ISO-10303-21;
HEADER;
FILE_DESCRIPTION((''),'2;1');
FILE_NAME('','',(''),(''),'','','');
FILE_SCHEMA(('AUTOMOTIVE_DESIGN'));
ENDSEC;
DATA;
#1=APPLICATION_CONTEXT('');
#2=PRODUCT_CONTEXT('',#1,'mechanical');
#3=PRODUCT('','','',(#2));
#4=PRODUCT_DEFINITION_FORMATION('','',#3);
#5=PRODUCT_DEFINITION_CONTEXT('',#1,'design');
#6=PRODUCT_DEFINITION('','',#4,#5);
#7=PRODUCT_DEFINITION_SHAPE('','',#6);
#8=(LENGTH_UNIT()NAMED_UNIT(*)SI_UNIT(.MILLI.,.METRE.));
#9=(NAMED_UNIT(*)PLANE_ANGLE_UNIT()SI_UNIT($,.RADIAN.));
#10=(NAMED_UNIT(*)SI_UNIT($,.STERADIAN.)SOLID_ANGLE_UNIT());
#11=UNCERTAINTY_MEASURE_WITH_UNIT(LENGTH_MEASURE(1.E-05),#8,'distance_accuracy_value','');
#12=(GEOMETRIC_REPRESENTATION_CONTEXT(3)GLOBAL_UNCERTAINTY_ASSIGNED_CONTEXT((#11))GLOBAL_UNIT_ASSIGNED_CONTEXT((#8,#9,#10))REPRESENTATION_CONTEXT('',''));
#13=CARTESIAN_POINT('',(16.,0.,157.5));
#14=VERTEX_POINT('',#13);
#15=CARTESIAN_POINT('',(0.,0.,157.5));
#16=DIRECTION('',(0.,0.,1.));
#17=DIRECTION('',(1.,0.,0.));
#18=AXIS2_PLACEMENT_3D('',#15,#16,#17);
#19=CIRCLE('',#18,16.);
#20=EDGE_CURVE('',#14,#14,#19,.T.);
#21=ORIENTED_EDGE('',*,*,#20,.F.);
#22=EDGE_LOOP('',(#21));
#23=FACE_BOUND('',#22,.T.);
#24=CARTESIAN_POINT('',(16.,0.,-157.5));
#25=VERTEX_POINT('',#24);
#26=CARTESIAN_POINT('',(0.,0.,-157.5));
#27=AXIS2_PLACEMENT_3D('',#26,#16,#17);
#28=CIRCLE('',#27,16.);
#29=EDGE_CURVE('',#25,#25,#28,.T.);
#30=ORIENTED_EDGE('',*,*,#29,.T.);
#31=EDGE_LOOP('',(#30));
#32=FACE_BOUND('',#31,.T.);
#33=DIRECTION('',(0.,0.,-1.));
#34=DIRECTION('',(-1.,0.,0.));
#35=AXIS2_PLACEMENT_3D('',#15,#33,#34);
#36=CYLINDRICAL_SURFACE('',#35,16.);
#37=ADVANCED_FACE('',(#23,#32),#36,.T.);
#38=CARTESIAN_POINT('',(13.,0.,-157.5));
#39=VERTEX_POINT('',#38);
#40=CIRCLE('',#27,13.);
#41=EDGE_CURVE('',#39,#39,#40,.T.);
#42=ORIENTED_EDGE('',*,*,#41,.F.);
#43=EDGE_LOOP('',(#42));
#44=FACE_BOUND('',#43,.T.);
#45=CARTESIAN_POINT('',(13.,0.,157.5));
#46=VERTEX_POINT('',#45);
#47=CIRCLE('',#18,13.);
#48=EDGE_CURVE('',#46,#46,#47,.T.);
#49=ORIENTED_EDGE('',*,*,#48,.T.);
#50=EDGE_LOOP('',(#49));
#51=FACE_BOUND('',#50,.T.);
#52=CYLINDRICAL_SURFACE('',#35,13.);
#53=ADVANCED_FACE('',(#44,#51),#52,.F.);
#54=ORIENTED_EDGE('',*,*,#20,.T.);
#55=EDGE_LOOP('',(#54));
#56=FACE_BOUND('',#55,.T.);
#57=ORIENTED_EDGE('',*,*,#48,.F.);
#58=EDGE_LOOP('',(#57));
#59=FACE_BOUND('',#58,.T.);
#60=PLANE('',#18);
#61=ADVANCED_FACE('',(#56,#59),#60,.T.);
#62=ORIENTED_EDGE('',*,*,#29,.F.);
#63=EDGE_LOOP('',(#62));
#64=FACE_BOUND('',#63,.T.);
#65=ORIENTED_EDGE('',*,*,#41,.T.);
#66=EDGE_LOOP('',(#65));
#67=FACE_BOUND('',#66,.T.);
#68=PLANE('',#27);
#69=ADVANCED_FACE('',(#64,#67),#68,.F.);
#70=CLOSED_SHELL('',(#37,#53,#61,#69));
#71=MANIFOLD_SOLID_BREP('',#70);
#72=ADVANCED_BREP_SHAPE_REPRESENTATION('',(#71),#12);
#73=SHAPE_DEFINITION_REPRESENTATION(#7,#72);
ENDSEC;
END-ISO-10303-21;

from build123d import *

# Parameters (mm, degrees)
CROQUIS1_R     = 16
EXTRUIR1_DEPTH = 157.5
VACIADO1_T     = -3


with BuildPart() as part:
    # Croquis1 → Extruir1 (new, symmetric)
    with BuildSketch(Plane.XY):
        Circle(CROQUIS1_R)
    extrude(amount=EXTRUIR1_DEPTH, both=True)

    # Vaciado1
    vaciado1_openings = [part.faces().sort_by_distance(p)[0] for p in [
        (0, 0, 157.5),
        (0, 0, -157.5),
    ]]
    offset(amount=VACIADO1_T, openings=vaciado1_openings, kind=Kind.INTERSECTION)


solid = part.part
